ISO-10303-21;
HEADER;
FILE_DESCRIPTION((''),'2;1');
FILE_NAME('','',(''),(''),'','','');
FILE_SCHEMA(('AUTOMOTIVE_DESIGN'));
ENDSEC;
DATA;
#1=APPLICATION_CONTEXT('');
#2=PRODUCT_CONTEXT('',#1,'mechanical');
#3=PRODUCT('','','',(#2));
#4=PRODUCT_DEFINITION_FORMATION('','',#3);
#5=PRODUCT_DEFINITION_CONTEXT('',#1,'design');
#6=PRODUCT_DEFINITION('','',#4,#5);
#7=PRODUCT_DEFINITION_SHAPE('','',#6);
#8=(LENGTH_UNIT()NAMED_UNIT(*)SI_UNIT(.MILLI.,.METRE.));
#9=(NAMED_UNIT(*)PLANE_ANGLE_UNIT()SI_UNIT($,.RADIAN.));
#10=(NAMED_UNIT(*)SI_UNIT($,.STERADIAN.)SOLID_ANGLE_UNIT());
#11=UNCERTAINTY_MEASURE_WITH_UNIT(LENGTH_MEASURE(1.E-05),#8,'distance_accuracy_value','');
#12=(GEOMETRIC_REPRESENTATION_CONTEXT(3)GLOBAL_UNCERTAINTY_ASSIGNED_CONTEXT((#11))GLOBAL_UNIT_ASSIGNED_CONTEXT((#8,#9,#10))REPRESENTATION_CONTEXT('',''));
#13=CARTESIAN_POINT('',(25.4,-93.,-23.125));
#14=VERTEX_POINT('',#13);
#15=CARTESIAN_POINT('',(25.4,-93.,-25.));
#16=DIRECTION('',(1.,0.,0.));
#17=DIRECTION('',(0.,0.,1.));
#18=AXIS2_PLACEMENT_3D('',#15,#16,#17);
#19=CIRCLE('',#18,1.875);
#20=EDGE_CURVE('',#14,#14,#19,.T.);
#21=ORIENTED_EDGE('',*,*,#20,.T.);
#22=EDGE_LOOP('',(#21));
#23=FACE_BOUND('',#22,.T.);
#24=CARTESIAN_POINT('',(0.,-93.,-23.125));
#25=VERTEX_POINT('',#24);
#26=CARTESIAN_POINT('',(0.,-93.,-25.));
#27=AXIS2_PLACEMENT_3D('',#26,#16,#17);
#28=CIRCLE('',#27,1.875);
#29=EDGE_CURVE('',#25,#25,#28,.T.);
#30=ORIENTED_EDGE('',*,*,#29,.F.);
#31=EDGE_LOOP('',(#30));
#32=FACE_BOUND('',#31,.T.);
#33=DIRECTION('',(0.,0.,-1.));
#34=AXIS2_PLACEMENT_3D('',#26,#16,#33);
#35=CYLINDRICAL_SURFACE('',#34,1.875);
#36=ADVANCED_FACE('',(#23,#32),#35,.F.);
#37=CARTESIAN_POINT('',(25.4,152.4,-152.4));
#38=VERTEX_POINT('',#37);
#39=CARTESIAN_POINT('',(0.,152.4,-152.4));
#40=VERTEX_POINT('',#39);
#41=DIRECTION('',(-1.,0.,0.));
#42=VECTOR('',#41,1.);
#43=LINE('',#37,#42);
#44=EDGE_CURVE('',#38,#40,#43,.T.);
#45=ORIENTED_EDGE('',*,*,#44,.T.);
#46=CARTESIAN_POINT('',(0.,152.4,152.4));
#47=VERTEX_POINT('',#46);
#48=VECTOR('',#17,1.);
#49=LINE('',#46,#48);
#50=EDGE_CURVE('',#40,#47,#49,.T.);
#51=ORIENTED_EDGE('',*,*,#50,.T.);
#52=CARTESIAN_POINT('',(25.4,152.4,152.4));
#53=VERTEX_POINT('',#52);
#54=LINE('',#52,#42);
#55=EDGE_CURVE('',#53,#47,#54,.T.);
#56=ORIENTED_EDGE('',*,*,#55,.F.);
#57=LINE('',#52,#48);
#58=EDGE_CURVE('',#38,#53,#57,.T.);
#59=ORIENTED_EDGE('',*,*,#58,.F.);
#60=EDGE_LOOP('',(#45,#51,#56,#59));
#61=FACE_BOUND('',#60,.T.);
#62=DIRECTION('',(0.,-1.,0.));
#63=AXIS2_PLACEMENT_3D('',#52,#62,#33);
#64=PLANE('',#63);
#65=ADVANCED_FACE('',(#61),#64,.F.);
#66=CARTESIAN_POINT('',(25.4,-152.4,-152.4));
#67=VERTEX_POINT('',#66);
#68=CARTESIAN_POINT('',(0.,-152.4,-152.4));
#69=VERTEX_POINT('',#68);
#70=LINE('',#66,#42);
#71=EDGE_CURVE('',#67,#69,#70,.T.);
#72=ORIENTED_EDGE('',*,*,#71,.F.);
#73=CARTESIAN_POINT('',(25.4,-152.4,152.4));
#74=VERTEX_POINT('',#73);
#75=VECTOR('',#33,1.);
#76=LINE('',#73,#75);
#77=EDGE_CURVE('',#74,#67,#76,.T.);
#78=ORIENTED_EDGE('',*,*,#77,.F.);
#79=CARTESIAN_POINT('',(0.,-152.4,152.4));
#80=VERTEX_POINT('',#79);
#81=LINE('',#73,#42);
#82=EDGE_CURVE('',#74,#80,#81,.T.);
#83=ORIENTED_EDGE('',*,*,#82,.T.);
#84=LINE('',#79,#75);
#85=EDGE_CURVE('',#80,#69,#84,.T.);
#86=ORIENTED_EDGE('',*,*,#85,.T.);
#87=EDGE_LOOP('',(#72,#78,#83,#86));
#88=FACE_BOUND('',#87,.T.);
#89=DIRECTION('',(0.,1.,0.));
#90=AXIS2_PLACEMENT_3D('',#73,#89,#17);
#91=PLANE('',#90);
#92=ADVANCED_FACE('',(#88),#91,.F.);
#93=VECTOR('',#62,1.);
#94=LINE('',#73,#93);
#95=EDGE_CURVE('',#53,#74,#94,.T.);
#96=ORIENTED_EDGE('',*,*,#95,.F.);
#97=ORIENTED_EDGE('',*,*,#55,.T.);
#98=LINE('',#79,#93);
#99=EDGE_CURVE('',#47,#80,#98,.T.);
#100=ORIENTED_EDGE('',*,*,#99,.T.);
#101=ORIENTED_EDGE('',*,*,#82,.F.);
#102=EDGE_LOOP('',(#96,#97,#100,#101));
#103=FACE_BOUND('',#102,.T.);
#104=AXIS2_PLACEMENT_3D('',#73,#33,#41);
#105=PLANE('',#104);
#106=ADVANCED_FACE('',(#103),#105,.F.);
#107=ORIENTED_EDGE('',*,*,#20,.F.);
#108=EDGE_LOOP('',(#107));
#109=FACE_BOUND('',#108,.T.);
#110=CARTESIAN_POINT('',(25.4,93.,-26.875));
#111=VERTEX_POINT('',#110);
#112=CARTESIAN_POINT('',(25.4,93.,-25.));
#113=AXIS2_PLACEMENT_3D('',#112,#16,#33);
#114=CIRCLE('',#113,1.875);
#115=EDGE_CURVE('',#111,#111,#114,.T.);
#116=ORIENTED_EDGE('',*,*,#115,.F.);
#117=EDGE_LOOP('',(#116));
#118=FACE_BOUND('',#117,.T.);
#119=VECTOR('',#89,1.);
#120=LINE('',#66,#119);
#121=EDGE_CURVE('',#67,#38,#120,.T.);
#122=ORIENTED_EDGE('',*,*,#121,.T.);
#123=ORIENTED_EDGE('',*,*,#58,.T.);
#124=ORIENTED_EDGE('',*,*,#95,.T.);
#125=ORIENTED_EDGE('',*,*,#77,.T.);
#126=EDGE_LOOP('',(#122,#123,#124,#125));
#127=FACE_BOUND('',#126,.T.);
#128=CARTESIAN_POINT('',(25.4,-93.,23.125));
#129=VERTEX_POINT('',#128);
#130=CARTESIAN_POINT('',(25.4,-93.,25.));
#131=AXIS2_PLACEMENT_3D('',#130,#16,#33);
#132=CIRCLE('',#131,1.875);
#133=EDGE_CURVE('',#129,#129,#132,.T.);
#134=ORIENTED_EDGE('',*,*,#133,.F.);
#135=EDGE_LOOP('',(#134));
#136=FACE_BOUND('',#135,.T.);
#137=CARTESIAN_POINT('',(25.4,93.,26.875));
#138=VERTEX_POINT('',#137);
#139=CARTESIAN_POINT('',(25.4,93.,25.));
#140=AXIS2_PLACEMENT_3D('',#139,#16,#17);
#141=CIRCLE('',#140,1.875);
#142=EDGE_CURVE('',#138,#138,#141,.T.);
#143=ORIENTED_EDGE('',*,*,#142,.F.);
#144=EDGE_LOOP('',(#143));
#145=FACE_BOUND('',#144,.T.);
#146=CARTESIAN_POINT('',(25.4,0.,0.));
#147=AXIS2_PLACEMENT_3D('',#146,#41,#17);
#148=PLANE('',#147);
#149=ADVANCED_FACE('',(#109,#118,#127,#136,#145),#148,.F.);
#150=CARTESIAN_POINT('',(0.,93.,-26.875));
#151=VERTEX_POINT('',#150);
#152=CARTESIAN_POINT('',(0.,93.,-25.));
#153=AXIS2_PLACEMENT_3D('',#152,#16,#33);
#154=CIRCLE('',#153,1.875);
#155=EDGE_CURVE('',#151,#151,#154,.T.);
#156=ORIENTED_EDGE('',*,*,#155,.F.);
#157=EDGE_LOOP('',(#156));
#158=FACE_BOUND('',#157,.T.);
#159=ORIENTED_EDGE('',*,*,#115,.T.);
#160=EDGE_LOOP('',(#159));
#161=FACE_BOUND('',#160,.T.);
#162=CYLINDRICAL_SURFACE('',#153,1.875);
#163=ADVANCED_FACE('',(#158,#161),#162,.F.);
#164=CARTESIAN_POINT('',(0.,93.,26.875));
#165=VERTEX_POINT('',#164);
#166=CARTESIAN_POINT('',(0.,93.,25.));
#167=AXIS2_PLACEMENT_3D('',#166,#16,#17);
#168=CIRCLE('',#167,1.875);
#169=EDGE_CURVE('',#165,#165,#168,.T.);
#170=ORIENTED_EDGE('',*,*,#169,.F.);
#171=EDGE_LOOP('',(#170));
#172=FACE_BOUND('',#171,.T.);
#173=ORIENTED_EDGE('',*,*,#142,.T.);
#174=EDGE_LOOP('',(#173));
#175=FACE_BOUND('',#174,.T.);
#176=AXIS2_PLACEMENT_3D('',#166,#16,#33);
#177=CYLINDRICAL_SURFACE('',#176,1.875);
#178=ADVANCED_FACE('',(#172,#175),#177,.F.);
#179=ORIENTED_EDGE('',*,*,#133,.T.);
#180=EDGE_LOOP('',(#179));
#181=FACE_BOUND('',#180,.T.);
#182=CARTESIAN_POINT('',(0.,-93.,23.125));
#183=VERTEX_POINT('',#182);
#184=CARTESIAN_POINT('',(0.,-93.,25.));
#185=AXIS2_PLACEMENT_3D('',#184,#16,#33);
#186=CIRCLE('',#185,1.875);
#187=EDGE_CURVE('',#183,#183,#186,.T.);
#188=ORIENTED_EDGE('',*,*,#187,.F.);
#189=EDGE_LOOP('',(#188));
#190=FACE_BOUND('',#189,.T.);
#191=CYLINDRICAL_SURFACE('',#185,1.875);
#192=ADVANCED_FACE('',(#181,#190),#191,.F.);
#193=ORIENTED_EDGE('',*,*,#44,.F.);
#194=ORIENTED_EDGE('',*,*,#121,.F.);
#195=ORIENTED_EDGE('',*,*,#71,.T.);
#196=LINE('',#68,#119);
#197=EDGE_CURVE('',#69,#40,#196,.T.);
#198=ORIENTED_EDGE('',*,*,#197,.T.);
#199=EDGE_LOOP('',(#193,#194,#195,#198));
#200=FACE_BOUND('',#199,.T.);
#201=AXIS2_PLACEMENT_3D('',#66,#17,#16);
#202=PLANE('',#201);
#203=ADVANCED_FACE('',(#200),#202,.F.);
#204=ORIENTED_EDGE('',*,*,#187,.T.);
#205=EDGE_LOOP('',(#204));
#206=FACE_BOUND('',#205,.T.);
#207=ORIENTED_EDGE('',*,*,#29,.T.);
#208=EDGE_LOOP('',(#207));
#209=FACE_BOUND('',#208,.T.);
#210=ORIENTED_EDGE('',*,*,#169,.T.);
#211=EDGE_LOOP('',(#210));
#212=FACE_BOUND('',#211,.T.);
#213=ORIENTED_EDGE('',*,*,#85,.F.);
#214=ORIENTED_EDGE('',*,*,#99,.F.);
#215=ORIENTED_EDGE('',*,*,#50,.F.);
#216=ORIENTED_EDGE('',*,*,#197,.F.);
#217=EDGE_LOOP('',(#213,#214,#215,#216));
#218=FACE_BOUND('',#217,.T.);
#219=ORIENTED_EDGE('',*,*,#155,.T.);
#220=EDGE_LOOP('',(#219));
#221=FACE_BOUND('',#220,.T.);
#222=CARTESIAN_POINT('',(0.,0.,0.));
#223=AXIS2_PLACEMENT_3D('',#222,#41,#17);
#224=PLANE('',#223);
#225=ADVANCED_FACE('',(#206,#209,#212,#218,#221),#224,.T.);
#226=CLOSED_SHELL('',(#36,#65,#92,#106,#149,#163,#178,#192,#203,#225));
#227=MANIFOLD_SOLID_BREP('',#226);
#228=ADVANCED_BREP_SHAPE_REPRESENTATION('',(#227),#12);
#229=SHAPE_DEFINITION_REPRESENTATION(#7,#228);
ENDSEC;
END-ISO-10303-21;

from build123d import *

# Parameters (mm, degrees)
SKETCH1_W           = 304.8
SKETCH1_H           = 304.8
BOSS_EXTRUDE1_DEPTH = 25.4
SKETCH3_R           = 1.875
CUT_EXTRUDE1_DEPTH  = 26.4


with BuildPart() as part:
    # Sketch1 → Boss-Extrude1 (new body)
    with BuildSketch(Plane(origin=(0, 0, 0), x_dir=(0, 0, -1), z_dir=(1, 0, 0))):
        Rectangle(SKETCH1_W, SKETCH1_H)
    extrude(amount=BOSS_EXTRUDE1_DEPTH)

    # Sketch3 → Cut-Extrude1 (cut, through all)
    with BuildSketch(Plane(origin=(25.4, 0, 0), x_dir=(0, 0, -1), z_dir=(1, 0, 0))):
        with Locations((-25, -93)):
            Circle(SKETCH3_R)
        with Locations((25, -93)):
            Circle(SKETCH3_R)
        with Locations((-25, 93)):
            Circle(SKETCH3_R)
        with Locations((25, 93)):
            Circle(SKETCH3_R)
    extrude(amount=-CUT_EXTRUDE1_DEPTH, mode=Mode.SUBTRACT)


solid = part.part
